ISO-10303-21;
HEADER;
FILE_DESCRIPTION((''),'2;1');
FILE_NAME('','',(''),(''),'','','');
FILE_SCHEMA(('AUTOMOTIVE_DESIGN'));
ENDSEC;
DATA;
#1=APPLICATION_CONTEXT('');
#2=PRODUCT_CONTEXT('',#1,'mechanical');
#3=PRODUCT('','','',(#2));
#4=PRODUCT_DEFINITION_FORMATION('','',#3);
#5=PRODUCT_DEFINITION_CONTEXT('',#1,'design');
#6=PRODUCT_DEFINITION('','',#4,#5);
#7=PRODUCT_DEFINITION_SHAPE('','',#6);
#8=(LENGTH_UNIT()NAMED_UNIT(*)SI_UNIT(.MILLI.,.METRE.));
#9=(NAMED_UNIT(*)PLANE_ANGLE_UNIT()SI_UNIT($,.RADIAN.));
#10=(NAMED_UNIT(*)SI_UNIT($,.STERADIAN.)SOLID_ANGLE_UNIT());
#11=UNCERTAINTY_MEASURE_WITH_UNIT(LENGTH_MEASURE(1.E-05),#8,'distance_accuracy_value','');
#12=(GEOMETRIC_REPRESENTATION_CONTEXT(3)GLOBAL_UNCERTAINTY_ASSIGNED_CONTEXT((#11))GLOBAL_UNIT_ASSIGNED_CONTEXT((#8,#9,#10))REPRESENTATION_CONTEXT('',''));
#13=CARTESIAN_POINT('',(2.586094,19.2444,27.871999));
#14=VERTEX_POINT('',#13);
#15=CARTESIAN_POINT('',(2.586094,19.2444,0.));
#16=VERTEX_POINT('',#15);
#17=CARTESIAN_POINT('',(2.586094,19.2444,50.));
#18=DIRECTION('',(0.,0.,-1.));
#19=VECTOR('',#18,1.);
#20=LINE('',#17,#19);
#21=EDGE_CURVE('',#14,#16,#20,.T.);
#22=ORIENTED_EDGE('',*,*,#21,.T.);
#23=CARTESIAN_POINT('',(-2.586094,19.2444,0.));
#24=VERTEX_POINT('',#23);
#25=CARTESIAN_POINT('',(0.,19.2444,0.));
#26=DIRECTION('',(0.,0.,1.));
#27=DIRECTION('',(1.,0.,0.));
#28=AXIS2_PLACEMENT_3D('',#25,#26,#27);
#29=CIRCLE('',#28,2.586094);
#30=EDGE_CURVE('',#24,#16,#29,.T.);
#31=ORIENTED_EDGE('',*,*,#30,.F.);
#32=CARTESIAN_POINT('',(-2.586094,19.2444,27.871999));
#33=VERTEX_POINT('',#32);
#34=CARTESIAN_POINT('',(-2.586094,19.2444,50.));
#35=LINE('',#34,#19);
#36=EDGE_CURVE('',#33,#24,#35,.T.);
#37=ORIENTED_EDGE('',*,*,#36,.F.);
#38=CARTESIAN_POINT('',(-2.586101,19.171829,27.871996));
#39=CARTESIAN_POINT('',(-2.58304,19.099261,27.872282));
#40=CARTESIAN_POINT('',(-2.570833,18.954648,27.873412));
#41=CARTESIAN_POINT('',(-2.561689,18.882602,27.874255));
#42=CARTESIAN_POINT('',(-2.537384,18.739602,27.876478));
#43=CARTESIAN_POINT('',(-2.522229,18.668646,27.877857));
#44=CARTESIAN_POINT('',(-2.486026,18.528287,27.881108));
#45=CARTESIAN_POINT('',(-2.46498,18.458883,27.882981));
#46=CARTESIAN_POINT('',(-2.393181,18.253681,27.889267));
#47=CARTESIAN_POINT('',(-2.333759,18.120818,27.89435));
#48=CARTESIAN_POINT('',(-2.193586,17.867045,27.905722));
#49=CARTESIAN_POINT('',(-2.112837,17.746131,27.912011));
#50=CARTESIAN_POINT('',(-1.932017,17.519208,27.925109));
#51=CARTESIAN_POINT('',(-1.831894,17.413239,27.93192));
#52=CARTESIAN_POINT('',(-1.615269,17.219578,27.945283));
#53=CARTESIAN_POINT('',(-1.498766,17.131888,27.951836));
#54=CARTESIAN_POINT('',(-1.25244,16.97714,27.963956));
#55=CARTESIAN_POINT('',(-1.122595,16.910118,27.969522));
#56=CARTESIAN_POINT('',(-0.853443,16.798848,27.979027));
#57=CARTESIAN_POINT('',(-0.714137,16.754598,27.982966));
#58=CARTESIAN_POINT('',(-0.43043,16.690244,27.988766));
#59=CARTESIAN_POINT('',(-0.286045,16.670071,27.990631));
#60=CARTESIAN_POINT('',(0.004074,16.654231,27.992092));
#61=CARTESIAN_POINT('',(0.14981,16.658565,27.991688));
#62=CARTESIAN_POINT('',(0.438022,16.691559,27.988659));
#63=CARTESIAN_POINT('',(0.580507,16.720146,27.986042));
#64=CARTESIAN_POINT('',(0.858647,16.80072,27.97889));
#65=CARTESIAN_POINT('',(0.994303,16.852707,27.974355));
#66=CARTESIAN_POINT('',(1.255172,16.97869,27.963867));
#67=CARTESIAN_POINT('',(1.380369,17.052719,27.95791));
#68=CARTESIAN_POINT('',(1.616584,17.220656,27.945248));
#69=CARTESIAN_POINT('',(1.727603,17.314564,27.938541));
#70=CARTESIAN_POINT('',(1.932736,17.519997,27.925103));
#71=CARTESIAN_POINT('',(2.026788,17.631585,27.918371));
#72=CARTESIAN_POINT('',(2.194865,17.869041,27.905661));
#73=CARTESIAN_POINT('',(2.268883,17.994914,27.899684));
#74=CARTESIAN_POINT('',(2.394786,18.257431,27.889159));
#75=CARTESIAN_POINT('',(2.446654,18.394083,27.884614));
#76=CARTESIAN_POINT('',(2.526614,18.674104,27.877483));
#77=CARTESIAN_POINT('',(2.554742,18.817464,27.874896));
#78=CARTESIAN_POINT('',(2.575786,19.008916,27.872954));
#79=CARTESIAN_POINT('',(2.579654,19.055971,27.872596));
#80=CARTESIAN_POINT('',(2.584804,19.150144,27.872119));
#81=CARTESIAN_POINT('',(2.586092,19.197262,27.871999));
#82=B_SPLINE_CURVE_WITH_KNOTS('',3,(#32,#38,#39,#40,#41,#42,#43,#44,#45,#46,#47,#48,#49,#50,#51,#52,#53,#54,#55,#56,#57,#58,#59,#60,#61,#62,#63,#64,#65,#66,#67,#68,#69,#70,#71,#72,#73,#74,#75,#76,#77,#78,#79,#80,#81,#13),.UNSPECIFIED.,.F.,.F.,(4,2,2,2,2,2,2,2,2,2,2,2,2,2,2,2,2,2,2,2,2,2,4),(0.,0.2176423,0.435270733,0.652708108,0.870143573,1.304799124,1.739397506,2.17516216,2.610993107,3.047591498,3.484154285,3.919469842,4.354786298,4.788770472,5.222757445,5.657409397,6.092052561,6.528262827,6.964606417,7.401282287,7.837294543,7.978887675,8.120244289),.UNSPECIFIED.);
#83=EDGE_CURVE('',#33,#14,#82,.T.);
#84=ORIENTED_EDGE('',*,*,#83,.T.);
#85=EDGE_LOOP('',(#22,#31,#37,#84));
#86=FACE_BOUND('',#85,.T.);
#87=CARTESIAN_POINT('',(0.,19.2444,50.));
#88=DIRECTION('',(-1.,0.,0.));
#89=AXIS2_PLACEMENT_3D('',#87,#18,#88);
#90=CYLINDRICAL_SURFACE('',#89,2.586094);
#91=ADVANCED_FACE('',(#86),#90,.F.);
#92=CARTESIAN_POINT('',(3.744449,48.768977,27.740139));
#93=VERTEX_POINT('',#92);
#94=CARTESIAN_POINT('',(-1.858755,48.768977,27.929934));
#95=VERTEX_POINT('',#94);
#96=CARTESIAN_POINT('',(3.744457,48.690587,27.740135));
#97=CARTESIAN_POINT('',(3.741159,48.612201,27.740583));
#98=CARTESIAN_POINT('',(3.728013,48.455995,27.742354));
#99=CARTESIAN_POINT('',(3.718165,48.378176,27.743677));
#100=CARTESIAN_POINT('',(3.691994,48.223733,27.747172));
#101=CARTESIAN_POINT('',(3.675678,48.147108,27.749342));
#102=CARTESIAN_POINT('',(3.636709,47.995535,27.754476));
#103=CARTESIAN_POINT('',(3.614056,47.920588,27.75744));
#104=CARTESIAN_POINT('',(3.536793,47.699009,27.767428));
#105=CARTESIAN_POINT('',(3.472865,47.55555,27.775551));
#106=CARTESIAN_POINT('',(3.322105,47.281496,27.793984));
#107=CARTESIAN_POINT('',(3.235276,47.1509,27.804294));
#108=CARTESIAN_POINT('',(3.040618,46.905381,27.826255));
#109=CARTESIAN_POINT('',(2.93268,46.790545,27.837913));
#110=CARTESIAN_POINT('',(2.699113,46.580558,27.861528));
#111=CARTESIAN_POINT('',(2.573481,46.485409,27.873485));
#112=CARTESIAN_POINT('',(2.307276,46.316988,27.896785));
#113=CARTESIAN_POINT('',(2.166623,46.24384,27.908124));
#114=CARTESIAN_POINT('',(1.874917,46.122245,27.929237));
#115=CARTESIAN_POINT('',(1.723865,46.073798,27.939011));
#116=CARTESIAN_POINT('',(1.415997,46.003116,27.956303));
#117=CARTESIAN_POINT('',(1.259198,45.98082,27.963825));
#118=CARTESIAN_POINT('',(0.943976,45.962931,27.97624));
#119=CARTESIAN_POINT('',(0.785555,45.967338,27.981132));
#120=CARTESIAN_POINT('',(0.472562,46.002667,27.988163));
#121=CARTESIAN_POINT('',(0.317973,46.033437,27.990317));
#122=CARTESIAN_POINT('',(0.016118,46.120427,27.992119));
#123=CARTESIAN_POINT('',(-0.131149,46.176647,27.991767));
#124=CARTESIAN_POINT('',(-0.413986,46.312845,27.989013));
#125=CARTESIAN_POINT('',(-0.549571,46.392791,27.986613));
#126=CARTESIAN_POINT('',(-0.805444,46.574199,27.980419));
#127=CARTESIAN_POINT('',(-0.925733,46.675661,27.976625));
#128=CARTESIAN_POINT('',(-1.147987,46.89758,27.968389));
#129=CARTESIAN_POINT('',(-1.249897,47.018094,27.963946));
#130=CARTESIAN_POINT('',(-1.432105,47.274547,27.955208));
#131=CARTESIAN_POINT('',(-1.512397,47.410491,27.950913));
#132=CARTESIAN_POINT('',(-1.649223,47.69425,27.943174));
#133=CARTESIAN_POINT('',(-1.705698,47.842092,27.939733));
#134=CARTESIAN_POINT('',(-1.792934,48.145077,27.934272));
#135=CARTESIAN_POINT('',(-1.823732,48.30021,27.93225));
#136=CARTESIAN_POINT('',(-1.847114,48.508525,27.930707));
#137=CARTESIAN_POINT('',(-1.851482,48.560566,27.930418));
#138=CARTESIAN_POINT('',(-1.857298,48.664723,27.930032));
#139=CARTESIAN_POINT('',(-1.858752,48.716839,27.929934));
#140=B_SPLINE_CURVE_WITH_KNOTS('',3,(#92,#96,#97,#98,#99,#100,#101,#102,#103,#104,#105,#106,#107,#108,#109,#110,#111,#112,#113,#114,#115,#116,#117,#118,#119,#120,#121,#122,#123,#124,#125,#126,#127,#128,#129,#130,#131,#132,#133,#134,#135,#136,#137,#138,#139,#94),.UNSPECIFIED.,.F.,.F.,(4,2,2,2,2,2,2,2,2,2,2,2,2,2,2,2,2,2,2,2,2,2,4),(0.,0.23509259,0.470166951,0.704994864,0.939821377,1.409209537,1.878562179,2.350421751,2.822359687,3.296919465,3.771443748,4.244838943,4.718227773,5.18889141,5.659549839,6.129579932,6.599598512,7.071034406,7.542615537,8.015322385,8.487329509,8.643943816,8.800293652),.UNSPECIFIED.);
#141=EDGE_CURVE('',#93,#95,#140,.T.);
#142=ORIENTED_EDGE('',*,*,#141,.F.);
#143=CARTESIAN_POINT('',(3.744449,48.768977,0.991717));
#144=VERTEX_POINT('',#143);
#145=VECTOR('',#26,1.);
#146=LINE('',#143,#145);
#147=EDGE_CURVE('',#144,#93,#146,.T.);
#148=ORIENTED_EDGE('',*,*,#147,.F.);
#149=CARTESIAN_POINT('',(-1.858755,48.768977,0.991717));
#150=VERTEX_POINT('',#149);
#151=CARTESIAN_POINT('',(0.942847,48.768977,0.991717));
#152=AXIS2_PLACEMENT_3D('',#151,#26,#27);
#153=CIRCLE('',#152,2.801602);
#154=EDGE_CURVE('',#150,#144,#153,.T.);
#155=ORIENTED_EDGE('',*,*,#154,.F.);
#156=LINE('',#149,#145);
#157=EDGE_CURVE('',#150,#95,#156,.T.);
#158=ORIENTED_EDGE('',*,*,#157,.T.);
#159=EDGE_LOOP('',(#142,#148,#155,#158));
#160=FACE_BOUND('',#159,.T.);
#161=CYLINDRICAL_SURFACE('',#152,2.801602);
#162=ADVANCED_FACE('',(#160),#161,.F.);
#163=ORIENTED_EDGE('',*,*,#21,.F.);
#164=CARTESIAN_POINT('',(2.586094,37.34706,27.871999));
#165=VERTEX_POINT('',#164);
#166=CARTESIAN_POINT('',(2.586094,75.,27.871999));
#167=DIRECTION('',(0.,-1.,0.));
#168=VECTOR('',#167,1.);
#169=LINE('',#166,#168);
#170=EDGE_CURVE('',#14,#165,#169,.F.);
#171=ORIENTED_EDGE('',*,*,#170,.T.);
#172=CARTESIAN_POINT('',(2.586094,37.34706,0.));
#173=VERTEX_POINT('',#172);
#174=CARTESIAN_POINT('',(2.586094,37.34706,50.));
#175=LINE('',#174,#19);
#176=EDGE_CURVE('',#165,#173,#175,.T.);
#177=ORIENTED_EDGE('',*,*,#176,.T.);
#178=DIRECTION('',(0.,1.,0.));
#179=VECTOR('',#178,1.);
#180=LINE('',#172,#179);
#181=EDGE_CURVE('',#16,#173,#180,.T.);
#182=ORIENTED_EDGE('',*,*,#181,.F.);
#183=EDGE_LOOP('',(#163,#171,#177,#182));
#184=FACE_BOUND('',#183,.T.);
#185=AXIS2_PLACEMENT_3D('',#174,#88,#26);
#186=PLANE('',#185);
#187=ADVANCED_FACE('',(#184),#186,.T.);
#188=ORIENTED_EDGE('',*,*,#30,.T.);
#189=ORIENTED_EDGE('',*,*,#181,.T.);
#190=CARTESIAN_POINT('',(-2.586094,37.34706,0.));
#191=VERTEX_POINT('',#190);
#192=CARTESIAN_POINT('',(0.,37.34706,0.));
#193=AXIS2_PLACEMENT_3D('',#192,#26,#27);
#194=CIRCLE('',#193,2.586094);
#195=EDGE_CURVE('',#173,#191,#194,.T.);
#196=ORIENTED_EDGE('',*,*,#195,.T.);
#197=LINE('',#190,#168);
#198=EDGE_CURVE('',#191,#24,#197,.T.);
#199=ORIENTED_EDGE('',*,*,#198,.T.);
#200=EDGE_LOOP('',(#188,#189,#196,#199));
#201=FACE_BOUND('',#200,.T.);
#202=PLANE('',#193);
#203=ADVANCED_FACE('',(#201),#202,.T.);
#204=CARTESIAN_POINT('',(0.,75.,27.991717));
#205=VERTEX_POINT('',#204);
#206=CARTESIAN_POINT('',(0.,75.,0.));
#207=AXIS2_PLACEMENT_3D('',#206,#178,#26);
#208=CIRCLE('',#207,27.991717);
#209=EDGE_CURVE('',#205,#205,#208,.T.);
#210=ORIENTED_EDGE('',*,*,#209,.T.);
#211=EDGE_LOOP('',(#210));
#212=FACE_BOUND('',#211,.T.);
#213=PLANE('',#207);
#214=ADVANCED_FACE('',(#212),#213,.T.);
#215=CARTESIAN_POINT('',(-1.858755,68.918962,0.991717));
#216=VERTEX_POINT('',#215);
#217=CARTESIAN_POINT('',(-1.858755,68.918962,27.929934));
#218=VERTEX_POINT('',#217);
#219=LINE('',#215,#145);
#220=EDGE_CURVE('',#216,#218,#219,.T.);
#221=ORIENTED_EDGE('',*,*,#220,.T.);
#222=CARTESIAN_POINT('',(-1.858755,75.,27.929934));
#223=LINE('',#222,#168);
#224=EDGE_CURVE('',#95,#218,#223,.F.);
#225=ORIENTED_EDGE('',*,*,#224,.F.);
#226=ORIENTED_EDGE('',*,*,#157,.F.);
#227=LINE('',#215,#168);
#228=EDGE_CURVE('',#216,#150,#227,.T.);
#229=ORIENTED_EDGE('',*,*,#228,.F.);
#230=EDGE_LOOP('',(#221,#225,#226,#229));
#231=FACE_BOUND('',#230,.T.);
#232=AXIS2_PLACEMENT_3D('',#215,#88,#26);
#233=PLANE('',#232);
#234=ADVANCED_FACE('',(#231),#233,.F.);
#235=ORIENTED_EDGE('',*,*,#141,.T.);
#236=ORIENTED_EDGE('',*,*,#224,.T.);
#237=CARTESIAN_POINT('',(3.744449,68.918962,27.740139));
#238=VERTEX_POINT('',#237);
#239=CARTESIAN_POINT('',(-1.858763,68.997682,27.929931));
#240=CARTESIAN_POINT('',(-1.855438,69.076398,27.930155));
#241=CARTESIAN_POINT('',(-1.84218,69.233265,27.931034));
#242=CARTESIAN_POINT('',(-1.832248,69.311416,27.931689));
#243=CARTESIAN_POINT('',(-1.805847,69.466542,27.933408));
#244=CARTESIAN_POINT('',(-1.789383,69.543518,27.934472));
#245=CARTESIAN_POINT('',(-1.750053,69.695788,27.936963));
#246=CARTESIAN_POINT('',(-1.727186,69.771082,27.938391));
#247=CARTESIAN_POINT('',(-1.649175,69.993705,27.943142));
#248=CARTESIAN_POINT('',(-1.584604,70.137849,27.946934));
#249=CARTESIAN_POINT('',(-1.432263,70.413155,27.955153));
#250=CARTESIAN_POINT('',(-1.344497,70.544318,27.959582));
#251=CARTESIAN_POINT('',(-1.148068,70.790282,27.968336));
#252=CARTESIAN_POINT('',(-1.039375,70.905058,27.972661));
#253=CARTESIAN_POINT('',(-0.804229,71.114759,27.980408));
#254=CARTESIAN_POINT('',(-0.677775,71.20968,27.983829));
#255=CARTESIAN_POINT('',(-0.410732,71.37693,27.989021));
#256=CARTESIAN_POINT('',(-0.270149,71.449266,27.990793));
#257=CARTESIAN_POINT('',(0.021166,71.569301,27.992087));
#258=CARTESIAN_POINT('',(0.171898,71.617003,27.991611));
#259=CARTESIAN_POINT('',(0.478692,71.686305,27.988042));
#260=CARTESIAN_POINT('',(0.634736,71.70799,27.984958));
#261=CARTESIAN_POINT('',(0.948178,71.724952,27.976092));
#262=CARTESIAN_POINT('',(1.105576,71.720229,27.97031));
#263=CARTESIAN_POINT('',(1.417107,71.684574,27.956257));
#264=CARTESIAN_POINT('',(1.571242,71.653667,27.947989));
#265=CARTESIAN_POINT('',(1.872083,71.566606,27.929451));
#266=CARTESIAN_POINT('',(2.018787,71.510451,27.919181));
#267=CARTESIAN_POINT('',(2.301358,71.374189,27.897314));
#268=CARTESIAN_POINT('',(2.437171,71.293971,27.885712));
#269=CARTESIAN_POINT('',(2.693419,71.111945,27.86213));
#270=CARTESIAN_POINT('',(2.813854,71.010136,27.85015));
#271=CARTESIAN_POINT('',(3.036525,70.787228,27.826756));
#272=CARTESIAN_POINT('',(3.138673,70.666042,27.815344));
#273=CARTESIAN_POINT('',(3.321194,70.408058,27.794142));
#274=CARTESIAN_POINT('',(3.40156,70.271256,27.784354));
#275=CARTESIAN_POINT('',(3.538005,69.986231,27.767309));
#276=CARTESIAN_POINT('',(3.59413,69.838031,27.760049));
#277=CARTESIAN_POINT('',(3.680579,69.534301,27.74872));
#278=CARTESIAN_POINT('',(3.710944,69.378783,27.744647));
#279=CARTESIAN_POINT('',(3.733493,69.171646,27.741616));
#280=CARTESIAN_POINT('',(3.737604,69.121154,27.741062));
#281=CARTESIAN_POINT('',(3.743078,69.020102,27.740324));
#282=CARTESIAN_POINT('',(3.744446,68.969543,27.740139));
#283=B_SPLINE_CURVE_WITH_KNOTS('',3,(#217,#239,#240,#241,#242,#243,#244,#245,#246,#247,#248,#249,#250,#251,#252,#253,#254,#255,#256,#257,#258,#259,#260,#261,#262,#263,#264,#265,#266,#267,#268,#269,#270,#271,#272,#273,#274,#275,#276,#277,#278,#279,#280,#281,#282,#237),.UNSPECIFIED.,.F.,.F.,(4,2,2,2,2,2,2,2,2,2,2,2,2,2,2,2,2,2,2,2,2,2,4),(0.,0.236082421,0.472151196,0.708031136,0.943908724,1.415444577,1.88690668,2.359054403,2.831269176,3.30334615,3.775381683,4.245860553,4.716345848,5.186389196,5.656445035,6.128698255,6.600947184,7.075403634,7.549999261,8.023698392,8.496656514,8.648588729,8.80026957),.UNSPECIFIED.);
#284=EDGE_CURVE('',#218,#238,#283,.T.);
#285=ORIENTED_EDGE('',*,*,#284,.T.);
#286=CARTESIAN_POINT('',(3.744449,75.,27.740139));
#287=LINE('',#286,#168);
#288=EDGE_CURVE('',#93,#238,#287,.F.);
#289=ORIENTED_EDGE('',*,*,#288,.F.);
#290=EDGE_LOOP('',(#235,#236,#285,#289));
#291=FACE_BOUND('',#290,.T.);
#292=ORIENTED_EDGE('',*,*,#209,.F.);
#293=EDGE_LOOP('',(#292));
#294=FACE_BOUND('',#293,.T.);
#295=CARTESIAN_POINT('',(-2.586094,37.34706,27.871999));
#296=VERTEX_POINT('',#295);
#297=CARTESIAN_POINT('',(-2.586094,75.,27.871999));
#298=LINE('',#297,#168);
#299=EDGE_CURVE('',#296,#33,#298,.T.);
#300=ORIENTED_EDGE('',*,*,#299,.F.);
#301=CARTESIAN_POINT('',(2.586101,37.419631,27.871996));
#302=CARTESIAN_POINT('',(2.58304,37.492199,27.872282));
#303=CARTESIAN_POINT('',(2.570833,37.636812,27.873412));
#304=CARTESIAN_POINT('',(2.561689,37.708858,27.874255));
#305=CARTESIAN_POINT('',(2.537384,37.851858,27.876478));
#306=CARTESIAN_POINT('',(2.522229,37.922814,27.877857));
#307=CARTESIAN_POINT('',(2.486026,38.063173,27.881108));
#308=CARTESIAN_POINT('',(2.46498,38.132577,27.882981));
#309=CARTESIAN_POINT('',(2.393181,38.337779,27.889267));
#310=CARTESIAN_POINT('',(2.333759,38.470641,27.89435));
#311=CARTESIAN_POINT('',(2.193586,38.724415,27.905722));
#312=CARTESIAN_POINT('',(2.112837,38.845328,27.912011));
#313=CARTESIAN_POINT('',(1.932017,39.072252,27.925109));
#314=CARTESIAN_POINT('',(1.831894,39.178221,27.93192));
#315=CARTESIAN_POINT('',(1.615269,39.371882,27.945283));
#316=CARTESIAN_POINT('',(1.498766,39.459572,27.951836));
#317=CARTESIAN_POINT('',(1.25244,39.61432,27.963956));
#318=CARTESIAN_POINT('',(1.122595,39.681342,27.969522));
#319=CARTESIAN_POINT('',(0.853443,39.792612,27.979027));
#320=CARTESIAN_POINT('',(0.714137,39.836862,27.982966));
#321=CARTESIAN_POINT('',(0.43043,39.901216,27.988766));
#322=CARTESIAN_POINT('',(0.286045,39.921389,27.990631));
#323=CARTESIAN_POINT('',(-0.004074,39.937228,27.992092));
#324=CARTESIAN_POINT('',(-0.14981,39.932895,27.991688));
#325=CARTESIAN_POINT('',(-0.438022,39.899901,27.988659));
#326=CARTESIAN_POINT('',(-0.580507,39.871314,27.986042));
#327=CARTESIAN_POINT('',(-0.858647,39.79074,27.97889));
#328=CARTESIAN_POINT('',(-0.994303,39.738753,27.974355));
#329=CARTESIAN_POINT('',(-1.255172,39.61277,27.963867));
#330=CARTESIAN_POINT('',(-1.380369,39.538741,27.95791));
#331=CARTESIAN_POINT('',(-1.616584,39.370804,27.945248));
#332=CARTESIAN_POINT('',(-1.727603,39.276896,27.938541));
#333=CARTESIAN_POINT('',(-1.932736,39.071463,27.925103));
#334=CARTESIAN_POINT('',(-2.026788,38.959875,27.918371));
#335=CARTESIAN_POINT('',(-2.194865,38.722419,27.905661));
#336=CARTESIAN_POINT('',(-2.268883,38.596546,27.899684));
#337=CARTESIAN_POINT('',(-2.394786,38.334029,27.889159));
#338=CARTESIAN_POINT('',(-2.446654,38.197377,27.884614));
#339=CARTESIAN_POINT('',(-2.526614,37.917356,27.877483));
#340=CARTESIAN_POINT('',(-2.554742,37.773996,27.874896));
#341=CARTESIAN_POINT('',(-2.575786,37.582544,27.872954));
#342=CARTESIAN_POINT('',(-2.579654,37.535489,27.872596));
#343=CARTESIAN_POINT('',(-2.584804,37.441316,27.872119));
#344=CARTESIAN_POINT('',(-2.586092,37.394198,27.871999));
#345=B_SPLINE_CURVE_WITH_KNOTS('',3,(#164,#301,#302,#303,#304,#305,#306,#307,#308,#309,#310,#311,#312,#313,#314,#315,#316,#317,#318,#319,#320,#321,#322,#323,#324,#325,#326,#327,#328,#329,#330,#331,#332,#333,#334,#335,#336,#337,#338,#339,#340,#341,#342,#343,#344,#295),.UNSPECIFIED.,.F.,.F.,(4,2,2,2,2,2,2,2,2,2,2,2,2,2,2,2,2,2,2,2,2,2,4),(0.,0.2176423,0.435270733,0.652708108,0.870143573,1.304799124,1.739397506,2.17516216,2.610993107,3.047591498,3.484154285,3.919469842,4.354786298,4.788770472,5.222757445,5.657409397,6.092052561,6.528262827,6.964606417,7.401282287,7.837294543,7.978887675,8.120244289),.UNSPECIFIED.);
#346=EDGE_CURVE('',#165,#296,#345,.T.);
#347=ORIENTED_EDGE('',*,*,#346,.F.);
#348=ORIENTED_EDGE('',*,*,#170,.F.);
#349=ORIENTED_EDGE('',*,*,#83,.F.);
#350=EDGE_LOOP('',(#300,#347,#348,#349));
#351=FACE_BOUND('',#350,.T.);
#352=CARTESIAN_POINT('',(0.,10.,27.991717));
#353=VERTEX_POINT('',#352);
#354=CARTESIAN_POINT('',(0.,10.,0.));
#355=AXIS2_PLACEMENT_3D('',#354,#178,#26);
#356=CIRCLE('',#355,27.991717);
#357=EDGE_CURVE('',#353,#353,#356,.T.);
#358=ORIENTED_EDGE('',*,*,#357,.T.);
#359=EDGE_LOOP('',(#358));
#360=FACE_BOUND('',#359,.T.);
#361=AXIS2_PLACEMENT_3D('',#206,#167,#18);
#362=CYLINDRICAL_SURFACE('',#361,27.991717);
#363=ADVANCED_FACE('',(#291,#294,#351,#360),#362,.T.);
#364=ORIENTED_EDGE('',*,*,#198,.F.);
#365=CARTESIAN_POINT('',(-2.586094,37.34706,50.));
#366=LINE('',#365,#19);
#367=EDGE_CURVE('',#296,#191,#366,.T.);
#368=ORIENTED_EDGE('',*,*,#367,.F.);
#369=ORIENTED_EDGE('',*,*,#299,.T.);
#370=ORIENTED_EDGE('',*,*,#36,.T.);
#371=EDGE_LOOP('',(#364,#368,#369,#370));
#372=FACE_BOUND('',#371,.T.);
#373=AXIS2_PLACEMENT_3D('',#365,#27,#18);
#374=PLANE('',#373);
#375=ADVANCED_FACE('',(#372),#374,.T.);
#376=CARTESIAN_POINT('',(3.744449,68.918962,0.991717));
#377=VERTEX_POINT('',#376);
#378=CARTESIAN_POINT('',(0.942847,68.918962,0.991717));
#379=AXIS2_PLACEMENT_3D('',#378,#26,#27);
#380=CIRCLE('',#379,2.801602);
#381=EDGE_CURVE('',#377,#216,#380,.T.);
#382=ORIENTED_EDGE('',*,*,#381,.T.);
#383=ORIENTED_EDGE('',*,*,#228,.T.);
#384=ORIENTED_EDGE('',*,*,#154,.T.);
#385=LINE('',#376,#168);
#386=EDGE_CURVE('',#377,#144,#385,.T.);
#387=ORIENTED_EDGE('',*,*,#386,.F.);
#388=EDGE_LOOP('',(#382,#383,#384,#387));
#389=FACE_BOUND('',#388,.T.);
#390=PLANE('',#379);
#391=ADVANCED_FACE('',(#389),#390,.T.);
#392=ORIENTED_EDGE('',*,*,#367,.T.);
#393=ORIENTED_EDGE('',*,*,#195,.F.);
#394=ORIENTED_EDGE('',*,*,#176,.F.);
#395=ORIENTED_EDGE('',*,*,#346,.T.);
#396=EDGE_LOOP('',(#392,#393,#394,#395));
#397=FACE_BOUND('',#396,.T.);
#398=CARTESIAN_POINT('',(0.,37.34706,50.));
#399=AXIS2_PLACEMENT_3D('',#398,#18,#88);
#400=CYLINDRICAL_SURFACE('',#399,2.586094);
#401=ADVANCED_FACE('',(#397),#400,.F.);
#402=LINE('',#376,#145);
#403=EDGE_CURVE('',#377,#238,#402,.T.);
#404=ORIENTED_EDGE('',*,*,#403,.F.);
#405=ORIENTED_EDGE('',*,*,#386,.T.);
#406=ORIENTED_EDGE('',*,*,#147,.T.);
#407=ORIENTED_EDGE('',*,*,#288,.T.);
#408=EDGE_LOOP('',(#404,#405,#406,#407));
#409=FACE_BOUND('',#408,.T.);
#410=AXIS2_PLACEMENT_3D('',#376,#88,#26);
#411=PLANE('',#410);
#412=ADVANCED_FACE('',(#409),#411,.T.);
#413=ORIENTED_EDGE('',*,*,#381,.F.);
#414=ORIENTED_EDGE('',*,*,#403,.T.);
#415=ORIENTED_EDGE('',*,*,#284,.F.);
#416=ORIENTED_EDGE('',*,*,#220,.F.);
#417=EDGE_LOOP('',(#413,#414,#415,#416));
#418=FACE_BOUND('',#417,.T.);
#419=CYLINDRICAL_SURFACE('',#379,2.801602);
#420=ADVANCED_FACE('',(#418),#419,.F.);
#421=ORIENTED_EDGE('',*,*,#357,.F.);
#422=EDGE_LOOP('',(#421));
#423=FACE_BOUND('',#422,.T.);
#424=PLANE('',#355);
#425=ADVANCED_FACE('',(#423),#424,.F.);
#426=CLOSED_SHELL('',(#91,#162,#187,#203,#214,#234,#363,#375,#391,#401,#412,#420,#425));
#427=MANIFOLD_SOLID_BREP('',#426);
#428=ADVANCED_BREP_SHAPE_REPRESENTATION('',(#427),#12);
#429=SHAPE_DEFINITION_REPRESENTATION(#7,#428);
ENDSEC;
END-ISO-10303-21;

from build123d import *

# Parameters (mm, degrees)
SKETCH_3_R          = 27.991716744
EXTRUDE_1_DEPTH     = 65
CUT_EXTRUDE_1_DEPTH = 27
CUT_EXTRUDE_3_DEPTH = 50


with BuildPart() as part:
    # 草图3 → 凸台-拉伸1 (new body)
    with BuildSketch(Plane(origin=(0, 10, 0), x_dir=(1, 0, 0), z_dir=(0, 1, 0))):
        with Locations(Location((0, 0, 0), (0, 0, 270))):
            Circle(SKETCH_3_R)
    extrude(amount=EXTRUDE_1_DEPTH)

    # 草图4 → 切除-拉伸1 (cut)
    with BuildSketch(Plane.XY.offset(27.991716744)):
        with BuildLine():
            Line((3.744449093, 68.91896185), (3.744449093, 48.768976801))
            ThreePointArc((3.744449093, 48.768976801), (0.942846894, 45.967374602), (-1.858755305, 48.768976801))
            Line((-1.858755305, 48.768976801), (-1.858755305, 68.91896185))
            ThreePointArc((-1.858755305, 68.91896185), (0.942846894, 71.720564049), (3.744449093, 68.91896185))
        make_face()
    extrude(amount=-CUT_EXTRUDE_1_DEPTH, mode=Mode.SUBTRACT)

    # 草图6 → 切除-拉伸3 (cut)
    with BuildSketch(Plane.XY):
        with BuildLine():
            Line((2.586094338, 37.347060143), (2.586094338, 19.244399778))
            ThreePointArc((2.586094338, 19.244399778), (0, 16.658305441), (-2.586094338, 19.244399778))
            Line((-2.586094338, 19.244399778), (-2.586094338, 37.347060143))
            ThreePointArc((-2.586094338, 37.347060143), (0, 39.933154481), (2.586094338, 37.347060143))
        make_face()
    extrude(amount=CUT_EXTRUDE_3_DEPTH, mode=Mode.SUBTRACT)


solid = part.part
